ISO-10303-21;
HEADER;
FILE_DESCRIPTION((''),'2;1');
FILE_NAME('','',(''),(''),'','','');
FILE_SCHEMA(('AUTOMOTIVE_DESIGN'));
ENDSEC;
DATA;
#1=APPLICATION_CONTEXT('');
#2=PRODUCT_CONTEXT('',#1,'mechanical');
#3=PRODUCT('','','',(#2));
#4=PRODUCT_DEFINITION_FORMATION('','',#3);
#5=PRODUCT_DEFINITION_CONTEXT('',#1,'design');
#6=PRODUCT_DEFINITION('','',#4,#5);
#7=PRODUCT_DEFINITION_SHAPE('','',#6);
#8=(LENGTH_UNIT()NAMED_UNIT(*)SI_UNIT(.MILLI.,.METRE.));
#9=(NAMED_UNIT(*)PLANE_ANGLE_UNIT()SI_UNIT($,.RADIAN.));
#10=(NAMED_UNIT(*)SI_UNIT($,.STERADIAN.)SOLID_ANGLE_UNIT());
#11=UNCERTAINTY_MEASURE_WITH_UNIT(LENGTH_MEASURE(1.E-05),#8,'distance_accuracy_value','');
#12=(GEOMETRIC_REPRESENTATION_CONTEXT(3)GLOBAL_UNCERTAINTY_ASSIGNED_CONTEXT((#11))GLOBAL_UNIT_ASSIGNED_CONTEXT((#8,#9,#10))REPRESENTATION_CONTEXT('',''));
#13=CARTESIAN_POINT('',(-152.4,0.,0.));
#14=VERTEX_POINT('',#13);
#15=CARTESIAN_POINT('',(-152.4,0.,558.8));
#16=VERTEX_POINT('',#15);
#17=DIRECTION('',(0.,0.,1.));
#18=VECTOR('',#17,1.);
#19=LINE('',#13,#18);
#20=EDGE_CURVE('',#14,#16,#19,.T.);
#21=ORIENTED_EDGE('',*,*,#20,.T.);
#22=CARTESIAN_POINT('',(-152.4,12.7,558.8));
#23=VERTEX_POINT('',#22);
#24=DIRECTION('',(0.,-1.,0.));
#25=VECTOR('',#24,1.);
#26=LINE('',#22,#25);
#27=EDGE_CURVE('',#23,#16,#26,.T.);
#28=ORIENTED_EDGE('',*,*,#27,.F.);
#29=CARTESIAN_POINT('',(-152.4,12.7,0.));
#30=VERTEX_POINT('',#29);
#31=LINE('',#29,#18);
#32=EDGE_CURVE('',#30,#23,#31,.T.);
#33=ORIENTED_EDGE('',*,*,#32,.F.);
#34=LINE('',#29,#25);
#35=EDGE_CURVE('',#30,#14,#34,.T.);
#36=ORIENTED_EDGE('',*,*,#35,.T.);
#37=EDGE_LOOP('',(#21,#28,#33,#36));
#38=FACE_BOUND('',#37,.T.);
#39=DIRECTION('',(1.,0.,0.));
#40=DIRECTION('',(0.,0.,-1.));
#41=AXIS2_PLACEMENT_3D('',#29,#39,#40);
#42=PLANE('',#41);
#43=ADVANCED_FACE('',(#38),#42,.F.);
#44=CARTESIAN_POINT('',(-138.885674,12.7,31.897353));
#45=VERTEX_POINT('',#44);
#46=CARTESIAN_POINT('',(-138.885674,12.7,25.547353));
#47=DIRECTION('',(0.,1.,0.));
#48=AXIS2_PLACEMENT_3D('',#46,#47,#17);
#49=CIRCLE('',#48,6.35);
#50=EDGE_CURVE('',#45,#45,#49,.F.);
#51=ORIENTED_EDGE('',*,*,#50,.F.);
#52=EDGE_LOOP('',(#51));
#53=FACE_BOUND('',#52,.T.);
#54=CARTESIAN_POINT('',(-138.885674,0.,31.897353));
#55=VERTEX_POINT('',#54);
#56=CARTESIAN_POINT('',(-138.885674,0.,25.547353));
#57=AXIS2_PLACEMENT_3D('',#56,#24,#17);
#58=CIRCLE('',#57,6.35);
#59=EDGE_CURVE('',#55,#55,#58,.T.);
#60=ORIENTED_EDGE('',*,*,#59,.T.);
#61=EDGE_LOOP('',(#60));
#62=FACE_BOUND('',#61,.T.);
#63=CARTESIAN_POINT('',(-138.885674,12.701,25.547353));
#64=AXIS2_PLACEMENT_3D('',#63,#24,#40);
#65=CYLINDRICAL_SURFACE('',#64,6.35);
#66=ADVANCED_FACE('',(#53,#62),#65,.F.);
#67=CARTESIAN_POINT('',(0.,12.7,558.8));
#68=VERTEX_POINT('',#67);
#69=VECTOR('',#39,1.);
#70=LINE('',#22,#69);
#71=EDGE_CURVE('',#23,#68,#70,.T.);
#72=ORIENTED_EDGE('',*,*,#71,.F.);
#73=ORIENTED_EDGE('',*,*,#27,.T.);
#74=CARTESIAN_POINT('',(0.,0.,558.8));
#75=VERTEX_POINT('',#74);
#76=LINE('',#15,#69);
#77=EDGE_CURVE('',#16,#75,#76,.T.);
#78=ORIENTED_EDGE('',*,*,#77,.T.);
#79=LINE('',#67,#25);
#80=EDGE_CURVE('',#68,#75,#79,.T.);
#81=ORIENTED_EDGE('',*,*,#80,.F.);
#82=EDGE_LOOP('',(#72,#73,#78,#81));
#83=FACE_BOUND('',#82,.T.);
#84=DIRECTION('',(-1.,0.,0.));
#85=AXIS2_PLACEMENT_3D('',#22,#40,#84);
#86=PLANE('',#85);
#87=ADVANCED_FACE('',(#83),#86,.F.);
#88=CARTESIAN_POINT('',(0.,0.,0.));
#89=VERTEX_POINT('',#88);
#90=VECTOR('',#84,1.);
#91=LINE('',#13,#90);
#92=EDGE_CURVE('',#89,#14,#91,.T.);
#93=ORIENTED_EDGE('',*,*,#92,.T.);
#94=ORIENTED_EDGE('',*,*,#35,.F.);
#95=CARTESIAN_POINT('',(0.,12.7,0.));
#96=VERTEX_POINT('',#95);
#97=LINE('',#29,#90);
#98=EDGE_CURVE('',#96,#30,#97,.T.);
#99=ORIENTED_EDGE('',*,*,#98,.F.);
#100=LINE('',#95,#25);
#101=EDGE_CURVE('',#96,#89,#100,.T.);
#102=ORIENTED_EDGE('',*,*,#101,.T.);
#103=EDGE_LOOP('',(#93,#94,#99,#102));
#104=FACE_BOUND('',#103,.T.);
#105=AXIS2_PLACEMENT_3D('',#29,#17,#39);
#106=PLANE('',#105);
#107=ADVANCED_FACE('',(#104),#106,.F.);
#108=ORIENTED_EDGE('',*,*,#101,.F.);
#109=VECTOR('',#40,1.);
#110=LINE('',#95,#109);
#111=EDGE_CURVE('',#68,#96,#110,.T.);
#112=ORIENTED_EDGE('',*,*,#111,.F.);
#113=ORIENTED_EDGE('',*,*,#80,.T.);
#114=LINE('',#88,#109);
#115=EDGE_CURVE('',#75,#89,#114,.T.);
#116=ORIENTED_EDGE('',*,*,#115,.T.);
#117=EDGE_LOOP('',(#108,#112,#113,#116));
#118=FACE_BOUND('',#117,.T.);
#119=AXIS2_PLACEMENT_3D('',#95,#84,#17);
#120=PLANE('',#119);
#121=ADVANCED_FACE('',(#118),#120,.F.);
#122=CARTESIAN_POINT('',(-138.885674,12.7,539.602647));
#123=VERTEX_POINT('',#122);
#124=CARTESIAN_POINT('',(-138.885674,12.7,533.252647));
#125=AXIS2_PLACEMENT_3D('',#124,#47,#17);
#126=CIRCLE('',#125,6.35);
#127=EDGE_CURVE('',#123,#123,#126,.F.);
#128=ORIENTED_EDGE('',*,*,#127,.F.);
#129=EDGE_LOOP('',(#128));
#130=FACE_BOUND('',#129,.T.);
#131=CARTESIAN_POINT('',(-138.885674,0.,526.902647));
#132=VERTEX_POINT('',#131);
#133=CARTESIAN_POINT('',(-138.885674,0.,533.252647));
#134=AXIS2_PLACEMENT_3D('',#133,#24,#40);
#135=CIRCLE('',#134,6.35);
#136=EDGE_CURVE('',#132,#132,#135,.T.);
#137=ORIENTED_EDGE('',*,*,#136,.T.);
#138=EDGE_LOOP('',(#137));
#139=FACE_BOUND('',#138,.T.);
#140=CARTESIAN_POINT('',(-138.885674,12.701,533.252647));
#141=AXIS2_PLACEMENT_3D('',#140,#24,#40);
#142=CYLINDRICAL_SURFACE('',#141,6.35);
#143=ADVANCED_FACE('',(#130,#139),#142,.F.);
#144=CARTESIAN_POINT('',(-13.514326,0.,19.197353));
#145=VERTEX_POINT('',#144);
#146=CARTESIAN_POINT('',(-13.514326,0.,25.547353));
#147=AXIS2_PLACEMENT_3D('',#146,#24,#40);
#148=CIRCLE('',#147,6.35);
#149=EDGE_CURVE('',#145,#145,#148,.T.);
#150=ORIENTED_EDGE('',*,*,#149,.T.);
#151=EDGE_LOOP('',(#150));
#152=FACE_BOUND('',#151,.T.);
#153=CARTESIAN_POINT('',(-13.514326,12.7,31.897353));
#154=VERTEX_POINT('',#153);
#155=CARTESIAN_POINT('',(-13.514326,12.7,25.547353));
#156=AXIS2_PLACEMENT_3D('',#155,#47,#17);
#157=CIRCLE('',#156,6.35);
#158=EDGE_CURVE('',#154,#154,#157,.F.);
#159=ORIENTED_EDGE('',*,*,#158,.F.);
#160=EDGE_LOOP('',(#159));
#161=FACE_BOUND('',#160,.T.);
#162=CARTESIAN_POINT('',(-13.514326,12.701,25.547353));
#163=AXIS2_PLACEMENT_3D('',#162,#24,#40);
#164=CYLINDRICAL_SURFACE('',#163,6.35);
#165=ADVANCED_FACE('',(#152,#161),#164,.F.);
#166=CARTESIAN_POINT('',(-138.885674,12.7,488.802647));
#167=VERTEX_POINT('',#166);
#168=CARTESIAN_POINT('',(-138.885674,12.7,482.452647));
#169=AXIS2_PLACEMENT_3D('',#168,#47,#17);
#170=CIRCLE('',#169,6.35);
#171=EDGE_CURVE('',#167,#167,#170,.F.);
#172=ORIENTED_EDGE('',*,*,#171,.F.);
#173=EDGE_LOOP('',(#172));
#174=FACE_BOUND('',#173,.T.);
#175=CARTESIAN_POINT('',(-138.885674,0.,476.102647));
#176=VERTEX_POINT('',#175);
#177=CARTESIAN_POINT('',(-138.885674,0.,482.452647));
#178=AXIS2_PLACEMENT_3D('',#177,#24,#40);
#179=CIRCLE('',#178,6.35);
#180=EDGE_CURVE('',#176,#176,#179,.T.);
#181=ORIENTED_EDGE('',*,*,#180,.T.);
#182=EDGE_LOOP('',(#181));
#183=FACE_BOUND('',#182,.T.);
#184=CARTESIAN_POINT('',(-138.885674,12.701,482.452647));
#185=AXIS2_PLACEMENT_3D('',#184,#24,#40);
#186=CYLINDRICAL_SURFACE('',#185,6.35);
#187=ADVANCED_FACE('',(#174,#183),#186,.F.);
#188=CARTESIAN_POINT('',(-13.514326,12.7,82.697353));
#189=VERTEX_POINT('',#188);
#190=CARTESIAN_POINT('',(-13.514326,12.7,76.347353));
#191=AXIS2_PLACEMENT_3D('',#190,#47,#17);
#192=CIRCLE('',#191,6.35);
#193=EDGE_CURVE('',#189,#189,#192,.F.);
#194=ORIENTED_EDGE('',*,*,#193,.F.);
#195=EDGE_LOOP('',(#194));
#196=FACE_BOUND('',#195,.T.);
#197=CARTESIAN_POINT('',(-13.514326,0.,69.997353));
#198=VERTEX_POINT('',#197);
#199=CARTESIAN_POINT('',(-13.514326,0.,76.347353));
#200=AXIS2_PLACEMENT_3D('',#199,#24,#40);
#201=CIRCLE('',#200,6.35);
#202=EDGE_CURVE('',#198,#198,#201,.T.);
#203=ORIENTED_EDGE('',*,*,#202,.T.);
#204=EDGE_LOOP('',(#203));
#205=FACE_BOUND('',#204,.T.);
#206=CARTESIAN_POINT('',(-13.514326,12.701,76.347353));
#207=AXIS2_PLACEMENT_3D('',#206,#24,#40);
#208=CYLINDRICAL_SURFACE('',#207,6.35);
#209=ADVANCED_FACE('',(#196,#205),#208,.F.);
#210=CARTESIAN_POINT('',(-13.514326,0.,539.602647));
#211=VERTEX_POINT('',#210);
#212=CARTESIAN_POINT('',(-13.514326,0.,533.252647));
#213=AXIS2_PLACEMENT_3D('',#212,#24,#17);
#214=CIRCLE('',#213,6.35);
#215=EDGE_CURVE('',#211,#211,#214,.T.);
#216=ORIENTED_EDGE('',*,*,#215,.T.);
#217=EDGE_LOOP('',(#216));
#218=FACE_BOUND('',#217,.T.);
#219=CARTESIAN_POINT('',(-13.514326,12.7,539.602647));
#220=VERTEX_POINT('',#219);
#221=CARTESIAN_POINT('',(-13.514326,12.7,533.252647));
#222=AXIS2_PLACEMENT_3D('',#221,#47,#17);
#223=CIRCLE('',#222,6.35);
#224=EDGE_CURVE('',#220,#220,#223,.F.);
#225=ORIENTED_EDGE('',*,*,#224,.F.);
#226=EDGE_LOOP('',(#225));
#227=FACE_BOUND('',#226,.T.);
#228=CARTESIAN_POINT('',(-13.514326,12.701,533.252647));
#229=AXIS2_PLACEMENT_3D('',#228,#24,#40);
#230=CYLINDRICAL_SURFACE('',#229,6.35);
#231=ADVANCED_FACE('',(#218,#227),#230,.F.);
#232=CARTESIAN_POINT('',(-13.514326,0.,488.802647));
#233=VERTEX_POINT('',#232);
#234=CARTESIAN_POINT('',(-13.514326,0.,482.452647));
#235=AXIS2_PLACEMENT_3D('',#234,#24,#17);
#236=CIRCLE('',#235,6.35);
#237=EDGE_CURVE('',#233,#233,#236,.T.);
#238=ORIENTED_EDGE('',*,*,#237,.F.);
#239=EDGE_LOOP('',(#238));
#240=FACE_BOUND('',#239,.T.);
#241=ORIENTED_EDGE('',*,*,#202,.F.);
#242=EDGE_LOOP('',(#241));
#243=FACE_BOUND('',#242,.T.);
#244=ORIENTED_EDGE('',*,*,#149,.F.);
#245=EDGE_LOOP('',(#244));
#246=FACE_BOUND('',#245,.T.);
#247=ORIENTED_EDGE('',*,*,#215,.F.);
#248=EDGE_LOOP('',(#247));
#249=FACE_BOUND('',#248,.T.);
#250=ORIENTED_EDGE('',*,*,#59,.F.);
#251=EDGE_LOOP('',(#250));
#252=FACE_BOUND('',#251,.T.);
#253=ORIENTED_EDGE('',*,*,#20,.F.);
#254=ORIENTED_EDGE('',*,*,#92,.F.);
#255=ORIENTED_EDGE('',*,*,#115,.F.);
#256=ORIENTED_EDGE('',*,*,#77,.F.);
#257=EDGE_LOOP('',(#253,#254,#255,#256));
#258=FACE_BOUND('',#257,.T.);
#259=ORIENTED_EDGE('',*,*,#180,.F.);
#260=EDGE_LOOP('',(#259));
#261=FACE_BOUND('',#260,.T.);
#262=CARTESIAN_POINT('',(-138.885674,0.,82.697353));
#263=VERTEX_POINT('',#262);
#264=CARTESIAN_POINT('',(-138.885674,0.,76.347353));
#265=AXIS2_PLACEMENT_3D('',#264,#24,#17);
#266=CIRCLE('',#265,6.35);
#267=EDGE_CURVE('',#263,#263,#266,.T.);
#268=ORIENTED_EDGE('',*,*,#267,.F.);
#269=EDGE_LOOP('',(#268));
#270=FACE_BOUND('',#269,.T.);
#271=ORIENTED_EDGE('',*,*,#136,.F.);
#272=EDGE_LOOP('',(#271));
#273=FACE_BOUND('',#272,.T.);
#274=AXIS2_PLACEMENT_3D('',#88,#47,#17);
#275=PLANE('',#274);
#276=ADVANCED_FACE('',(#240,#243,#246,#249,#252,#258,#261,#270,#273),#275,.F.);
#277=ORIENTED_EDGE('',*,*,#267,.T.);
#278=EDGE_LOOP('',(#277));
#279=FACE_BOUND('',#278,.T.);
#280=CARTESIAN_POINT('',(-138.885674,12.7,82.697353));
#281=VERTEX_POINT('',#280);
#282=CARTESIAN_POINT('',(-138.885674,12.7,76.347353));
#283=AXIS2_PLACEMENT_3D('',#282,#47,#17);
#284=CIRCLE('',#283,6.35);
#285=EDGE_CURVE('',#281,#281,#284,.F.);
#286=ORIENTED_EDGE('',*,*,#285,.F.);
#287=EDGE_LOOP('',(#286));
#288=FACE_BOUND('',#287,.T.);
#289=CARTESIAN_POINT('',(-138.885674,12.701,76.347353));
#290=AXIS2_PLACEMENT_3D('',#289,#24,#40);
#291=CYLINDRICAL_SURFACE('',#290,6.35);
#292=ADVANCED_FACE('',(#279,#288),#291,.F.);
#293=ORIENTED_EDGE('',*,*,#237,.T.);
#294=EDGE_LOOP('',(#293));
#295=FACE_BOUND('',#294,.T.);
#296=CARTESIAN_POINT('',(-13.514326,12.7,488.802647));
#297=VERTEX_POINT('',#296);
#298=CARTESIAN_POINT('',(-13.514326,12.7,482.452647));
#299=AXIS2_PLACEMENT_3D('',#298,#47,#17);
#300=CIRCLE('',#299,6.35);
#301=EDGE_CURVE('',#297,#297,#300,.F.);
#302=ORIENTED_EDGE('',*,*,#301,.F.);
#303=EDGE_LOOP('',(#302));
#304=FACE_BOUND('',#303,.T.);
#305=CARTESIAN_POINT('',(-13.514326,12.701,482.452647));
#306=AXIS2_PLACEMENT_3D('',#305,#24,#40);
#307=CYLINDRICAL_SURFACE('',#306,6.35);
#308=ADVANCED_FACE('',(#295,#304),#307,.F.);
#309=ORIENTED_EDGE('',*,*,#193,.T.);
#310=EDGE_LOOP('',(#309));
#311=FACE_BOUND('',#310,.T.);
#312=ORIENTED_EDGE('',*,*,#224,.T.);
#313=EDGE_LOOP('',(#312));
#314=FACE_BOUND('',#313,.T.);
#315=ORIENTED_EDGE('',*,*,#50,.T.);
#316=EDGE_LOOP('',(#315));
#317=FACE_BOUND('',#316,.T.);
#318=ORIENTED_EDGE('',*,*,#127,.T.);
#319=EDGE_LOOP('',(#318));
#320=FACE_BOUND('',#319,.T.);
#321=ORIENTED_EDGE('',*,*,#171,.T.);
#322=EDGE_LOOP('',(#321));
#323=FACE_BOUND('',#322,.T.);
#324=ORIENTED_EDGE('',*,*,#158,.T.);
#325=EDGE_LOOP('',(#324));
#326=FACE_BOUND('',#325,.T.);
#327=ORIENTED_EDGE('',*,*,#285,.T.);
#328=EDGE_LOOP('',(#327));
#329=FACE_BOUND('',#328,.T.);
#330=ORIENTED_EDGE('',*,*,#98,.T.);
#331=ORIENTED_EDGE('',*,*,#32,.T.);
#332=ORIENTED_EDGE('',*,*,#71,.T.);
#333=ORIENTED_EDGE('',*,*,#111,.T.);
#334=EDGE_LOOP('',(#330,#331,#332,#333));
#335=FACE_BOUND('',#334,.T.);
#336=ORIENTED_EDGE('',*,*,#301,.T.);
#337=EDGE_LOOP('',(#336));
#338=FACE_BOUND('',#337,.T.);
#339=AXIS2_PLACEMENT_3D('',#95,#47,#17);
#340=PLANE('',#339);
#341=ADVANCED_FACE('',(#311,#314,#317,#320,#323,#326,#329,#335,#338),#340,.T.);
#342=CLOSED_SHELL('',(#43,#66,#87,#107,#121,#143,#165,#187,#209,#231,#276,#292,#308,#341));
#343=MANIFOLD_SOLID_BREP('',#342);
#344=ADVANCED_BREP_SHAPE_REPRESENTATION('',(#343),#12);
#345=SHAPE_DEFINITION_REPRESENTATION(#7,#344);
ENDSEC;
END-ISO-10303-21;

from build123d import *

# Parameters (mm, degrees)
SKETCH1_W           = 152.4
SKETCH1_H           = 558.8
BOSS_EXTRUDE1_DEPTH = 12.7
CUT_EXTRUDE1_REACH  = 14.7
SKETCH2_R           = 6.35


with BuildPart() as part:
    # Sketch1 → Boss-Extrude1 (new body)
    with BuildSketch(Plane(origin=(0, 0, 0), x_dir=(1, 0, 0), z_dir=(0, 1, 0))):
        with Locations((-76.2, -279.4)):
            Rectangle(SKETCH1_W, SKETCH1_H)
    extrude(amount=BOSS_EXTRUDE1_DEPTH)

    # Sketch2 → Cut-Extrude1 (cut, up to next)
    with BuildSketch(Plane(origin=(0, 0, 0), x_dir=(-1, 0, 0), z_dir=(0, -1, 0)), mode=Mode.PRIVATE) as cut_extrude1_sk1:
        with Locations((13.51432586, -25.547353246)):
            Circle(SKETCH2_R)
    cut_extrude1_tool1 = extrude(cut_extrude1_sk1.sketch, amount=-CUT_EXTRUDE1_REACH, mode=Mode.PRIVATE) & part.part
    add(cut_extrude1_tool1.solids().sort_by_distance((-13.514326, 0, 25.547353))[0], mode=Mode.SUBTRACT)
    # Sketch2 → Cut-Extrude1 (cut, up to next)
    with BuildSketch(Plane(origin=(0, 0, 0), x_dir=(-1, 0, 0), z_dir=(0, -1, 0)), mode=Mode.PRIVATE) as cut_extrude1_sk2:
        with Locations((13.51432586, -76.347353246)):
            Circle(SKETCH2_R)
    cut_extrude1_tool2 = extrude(cut_extrude1_sk2.sketch, amount=-CUT_EXTRUDE1_REACH, mode=Mode.PRIVATE) & part.part
    add(cut_extrude1_tool2.solids().sort_by_distance((-13.514326, 0, 76.347353))[0], mode=Mode.SUBTRACT)
    # Sketch2 → Cut-Extrude1 (cut, up to next)
    with BuildSketch(Plane(origin=(0, 0, 0), x_dir=(-1, 0, 0), z_dir=(0, -1, 0)), mode=Mode.PRIVATE) as cut_extrude1_sk3:
        with Locations((13.51432586, -482.452646754)):
            Circle(SKETCH2_R)
    cut_extrude1_tool3 = extrude(cut_extrude1_sk3.sketch, amount=-CUT_EXTRUDE1_REACH, mode=Mode.PRIVATE) & part.part
    add(cut_extrude1_tool3.solids().sort_by_distance((-13.514326, 0, 482.452647))[0], mode=Mode.SUBTRACT)
    # Sketch2 → Cut-Extrude1 (cut, up to next)
    with BuildSketch(Plane(origin=(0, 0, 0), x_dir=(-1, 0, 0), z_dir=(0, -1, 0)), mode=Mode.PRIVATE) as cut_extrude1_sk4:
        with Locations((13.51432586, -533.252646754)):
            Circle(SKETCH2_R)
    cut_extrude1_tool4 = extrude(cut_extrude1_sk4.sketch, amount=-CUT_EXTRUDE1_REACH, mode=Mode.PRIVATE) & part.part
    add(cut_extrude1_tool4.solids().sort_by_distance((-13.514326, 0, 533.252647))[0], mode=Mode.SUBTRACT)
    # Sketch2 → Cut-Extrude1 (cut, up to next)
    with BuildSketch(Plane(origin=(0, 0, 0), x_dir=(-1, 0, 0), z_dir=(0, -1, 0)), mode=Mode.PRIVATE) as cut_extrude1_sk5:
        with Locations((138.88567414, -76.347353246)):
            Circle(SKETCH2_R)
    cut_extrude1_tool5 = extrude(cut_extrude1_sk5.sketch, amount=-CUT_EXTRUDE1_REACH, mode=Mode.PRIVATE) & part.part
    add(cut_extrude1_tool5.solids().sort_by_distance((-138.885674, 0, 76.347353))[0], mode=Mode.SUBTRACT)
    # Sketch2 → Cut-Extrude1 (cut, up to next)
    with BuildSketch(Plane(origin=(0, 0, 0), x_dir=(-1, 0, 0), z_dir=(0, -1, 0)), mode=Mode.PRIVATE) as cut_extrude1_sk6:
        with Locations((138.88567414, -25.547353246)):
            Circle(SKETCH2_R)
    cut_extrude1_tool6 = extrude(cut_extrude1_sk6.sketch, amount=-CUT_EXTRUDE1_REACH, mode=Mode.PRIVATE) & part.part
    add(cut_extrude1_tool6.solids().sort_by_distance((-138.885674, 0, 25.547353))[0], mode=Mode.SUBTRACT)
    # Sketch2 → Cut-Extrude1 (cut, up to next)
    with BuildSketch(Plane(origin=(0, 0, 0), x_dir=(-1, 0, 0), z_dir=(0, -1, 0)), mode=Mode.PRIVATE) as cut_extrude1_sk7:
        with Locations((138.88567414, -482.452646754)):
            Circle(SKETCH2_R)
    cut_extrude1_tool7 = extrude(cut_extrude1_sk7.sketch, amount=-CUT_EXTRUDE1_REACH, mode=Mode.PRIVATE) & part.part
    add(cut_extrude1_tool7.solids().sort_by_distance((-138.885674, 0, 482.452647))[0], mode=Mode.SUBTRACT)
    # Sketch2 → Cut-Extrude1 (cut, up to next)
    with BuildSketch(Plane(origin=(0, 0, 0), x_dir=(-1, 0, 0), z_dir=(0, -1, 0)), mode=Mode.PRIVATE) as cut_extrude1_sk8:
        with Locations((138.88567414, -533.252646754)):
            Circle(SKETCH2_R)
    cut_extrude1_tool8 = extrude(cut_extrude1_sk8.sketch, amount=-CUT_EXTRUDE1_REACH, mode=Mode.PRIVATE) & part.part
    add(cut_extrude1_tool8.solids().sort_by_distance((-138.885674, 0, 533.252647))[0], mode=Mode.SUBTRACT)


solid = part.part
